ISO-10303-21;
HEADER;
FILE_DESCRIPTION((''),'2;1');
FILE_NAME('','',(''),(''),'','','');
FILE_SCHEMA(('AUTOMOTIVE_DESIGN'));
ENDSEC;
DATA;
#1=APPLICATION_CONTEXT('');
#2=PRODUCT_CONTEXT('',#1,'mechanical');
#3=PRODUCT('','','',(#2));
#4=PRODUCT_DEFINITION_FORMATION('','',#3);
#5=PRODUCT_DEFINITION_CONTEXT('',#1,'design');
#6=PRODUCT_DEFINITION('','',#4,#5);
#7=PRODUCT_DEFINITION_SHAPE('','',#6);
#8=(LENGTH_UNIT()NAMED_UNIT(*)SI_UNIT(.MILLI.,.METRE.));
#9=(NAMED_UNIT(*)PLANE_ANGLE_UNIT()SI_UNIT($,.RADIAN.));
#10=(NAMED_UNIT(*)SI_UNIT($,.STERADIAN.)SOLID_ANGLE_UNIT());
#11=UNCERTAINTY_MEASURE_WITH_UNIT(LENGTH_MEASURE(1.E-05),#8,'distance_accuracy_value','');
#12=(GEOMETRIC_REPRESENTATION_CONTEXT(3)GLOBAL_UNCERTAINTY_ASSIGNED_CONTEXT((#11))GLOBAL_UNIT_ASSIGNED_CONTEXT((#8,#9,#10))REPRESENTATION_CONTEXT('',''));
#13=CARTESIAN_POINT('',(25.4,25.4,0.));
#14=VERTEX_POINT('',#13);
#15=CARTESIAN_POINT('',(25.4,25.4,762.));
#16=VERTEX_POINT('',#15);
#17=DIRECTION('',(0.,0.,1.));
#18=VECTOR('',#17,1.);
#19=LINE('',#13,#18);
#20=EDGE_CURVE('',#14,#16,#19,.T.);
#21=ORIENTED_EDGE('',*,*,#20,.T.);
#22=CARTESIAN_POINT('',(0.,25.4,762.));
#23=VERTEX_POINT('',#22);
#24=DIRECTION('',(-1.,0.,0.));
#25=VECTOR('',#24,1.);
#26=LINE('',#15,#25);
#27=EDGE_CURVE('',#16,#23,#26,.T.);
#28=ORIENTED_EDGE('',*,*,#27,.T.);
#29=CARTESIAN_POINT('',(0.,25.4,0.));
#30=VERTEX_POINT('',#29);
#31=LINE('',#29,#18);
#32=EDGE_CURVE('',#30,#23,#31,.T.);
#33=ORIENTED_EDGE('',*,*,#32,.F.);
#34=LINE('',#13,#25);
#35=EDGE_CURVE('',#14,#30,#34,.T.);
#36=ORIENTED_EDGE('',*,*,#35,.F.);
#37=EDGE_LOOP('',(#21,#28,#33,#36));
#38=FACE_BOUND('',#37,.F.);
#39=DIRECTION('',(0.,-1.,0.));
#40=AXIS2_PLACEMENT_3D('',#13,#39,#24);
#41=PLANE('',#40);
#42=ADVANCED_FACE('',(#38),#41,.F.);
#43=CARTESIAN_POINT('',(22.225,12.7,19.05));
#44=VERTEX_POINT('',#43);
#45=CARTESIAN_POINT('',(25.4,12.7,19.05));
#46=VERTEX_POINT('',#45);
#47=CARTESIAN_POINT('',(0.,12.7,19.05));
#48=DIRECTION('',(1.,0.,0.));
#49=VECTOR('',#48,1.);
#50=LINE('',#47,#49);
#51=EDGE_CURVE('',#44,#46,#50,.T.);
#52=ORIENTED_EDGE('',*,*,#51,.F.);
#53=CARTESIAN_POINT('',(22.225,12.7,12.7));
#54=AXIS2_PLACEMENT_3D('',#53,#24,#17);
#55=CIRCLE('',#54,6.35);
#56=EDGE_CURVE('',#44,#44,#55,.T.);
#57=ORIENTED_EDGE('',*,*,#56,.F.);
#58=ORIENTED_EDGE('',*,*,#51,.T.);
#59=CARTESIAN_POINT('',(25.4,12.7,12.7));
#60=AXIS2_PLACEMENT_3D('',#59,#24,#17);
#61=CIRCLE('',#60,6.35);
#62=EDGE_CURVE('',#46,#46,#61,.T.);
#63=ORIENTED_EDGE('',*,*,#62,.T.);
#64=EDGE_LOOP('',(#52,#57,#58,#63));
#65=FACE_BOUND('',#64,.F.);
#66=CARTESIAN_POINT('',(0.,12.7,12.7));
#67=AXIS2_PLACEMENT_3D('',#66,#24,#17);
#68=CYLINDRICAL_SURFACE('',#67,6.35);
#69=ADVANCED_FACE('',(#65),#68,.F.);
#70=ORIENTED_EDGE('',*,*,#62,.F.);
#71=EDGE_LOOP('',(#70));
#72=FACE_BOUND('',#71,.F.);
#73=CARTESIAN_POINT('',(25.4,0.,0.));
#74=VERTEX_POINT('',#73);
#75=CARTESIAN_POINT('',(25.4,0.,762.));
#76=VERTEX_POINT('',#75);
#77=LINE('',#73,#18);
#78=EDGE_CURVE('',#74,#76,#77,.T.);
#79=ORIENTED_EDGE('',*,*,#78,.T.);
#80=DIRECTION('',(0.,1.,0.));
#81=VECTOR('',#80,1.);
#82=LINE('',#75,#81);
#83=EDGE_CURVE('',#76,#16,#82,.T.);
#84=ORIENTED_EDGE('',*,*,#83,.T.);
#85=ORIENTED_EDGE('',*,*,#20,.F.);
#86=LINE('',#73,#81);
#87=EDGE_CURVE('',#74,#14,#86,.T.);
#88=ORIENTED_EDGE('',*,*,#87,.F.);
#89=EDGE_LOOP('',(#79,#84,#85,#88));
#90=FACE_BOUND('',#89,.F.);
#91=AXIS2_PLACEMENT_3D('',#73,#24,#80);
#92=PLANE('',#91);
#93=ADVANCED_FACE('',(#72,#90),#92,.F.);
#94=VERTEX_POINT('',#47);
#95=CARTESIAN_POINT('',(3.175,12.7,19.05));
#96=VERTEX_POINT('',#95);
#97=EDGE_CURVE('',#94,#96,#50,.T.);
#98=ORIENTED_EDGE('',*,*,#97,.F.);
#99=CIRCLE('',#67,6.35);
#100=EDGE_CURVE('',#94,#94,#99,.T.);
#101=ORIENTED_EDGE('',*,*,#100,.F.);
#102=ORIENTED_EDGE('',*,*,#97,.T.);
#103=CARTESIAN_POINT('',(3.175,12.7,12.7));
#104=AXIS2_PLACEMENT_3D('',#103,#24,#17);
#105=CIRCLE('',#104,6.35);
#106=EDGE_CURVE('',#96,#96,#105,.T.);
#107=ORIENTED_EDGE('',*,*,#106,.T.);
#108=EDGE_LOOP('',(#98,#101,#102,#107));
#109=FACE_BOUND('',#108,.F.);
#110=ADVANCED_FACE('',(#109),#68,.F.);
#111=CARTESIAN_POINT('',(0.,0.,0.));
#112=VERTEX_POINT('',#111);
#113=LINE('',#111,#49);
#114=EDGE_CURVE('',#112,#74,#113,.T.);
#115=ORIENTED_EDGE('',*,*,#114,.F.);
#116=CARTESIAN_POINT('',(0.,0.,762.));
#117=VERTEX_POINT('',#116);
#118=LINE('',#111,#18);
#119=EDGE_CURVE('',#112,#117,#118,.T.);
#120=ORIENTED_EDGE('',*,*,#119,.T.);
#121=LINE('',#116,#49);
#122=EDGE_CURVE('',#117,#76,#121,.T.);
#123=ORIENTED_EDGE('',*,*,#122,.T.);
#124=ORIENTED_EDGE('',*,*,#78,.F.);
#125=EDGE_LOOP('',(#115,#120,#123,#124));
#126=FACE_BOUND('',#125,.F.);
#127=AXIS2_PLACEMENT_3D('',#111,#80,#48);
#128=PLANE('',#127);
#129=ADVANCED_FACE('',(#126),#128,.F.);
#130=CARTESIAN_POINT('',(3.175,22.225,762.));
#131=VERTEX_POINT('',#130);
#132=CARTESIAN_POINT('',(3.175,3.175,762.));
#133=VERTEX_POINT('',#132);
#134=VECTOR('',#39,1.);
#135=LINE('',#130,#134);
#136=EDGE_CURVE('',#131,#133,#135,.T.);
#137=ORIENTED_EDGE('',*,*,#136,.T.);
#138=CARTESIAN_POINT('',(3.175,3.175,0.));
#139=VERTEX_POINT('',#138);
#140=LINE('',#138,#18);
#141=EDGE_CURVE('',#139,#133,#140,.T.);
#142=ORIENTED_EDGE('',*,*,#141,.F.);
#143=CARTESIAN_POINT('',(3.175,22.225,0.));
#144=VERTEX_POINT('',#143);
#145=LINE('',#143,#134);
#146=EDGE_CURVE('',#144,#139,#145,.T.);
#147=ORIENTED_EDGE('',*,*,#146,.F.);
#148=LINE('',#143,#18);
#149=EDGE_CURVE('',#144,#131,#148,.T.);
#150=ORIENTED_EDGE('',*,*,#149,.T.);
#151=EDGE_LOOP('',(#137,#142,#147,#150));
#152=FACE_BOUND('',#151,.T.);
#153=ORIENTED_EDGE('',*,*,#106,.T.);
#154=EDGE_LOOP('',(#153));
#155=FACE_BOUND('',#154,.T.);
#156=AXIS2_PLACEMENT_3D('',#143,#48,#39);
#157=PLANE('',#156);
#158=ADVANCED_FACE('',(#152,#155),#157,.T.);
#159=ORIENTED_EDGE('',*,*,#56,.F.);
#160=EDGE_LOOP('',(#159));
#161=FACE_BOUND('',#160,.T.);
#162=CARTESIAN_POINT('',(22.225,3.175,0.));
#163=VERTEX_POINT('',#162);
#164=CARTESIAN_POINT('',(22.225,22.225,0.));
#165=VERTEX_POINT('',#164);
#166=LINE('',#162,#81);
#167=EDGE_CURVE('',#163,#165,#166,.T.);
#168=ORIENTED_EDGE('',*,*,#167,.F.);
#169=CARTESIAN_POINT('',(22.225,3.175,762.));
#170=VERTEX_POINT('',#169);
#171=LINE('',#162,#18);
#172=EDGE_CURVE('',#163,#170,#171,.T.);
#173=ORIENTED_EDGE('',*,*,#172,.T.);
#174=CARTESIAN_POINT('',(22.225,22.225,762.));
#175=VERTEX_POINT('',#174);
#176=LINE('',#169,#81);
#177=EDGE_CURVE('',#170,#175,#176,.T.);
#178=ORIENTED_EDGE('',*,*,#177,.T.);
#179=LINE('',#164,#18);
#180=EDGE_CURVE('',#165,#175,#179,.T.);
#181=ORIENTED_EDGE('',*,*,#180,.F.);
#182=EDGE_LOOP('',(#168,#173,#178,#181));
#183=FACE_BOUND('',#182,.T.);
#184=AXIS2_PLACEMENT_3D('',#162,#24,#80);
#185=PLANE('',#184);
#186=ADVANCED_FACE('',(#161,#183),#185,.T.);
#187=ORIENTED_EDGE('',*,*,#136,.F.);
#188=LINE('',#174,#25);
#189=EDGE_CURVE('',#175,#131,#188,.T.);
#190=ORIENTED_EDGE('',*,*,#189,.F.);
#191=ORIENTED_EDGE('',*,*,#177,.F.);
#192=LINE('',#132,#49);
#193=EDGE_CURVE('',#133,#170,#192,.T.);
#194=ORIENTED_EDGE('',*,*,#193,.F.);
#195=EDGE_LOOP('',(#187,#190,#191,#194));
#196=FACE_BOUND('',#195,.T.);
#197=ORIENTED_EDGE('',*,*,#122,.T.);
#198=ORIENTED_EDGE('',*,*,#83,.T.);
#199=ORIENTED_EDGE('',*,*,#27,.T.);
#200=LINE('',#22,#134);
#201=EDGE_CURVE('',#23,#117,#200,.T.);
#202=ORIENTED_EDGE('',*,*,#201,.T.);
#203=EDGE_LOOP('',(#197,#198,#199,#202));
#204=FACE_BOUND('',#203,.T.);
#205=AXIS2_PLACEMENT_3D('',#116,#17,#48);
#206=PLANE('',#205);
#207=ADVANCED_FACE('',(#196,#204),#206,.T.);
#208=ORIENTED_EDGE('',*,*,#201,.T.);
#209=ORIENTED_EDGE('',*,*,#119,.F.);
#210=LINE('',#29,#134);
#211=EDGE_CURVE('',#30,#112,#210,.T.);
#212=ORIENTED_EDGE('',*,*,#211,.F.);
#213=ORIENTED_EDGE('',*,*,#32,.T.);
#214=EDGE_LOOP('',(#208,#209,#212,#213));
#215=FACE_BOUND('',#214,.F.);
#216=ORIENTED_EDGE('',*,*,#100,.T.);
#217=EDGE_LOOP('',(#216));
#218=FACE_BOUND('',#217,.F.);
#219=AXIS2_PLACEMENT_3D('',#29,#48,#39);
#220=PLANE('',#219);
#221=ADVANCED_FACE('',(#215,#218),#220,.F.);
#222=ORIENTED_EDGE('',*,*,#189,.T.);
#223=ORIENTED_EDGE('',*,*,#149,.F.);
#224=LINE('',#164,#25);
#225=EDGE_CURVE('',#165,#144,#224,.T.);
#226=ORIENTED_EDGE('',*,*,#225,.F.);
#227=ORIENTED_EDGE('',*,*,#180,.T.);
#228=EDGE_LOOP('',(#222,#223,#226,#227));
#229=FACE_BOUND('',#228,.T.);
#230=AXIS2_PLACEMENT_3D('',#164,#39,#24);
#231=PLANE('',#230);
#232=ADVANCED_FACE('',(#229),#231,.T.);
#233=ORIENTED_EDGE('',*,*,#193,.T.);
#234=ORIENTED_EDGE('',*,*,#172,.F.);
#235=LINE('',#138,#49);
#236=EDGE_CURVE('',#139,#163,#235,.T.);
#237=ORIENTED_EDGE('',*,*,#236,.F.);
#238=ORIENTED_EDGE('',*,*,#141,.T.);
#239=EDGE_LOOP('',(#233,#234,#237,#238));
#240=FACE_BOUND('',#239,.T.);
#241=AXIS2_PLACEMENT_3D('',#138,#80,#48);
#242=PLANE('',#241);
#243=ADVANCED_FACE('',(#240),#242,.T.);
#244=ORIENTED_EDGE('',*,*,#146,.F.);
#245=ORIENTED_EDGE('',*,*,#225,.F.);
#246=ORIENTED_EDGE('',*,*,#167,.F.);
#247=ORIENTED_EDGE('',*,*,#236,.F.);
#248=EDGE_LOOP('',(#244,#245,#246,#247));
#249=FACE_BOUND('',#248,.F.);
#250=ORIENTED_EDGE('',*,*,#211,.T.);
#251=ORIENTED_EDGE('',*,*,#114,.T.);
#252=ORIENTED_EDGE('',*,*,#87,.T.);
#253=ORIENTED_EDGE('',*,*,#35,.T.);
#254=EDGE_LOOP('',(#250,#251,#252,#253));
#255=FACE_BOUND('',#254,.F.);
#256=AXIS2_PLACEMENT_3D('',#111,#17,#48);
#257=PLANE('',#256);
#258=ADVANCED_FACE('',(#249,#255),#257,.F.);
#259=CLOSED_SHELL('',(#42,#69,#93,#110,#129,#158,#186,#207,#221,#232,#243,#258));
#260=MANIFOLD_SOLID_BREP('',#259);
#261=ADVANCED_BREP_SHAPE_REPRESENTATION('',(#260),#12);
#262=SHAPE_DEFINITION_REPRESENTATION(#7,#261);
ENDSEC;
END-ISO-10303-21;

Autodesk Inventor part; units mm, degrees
ref_plane "YZ Plane" through (0, 0, 0) normal (1, 0, 0) x (0, 1, 0)
ref_plane "XZ Plane" through (0, 0, 0) normal (0, 1, 0) x (-1, 0, 0)
ref_plane "XY Plane" through (0, 0, 0) normal (0, 0, 1) x (1, 0, 0)
sketch "Sketch1" plane through (0, 0, 0) normal (0, 0, 1) x (1, 0, 0)
  line L0 (0, 0) -> (25.4, 0)
  line L1 (25.4, 0) -> (25.4, 25.4)
  line L2 (25.4, 25.4) -> (0, 25.4)
  line L3 (0, 25.4) -> (0, 0)
  line L4 (3.175, 3.175) -> (22.225, 3.175)
  line L5 (22.225, 3.175) -> (22.225, 22.225)
  line L6 (22.225, 22.225) -> (3.175, 22.225)
  line L7 (3.175, 22.225) -> (3.175, 3.175)
  dimension "d0" = 25.4
  dimension "d1" = 25.4
  dimension "d2" = 3.175
extrude "Extrusion1" add sketch "Sketch1" along normal blind 762
sketch "Sketch2" plane through (0, 0, 0) normal (-1, 0, 0) x (0, 0, 1)
  circle A0 centre (12.7, 12.7) radius 6.35
  line L0 (0, 25.4) -> (0, 0) projected
  line L1 (0, 0) -> (762, 0) projected
  dimension "d5" = 12.7
  dimension "d6" = 12.7
  dimension "d7" = 12.7
extrude "Extrusion2" cut sketch "Sketch2" against normal blind 25.4
properties part number "support bar" material "Aluminum 6061"
